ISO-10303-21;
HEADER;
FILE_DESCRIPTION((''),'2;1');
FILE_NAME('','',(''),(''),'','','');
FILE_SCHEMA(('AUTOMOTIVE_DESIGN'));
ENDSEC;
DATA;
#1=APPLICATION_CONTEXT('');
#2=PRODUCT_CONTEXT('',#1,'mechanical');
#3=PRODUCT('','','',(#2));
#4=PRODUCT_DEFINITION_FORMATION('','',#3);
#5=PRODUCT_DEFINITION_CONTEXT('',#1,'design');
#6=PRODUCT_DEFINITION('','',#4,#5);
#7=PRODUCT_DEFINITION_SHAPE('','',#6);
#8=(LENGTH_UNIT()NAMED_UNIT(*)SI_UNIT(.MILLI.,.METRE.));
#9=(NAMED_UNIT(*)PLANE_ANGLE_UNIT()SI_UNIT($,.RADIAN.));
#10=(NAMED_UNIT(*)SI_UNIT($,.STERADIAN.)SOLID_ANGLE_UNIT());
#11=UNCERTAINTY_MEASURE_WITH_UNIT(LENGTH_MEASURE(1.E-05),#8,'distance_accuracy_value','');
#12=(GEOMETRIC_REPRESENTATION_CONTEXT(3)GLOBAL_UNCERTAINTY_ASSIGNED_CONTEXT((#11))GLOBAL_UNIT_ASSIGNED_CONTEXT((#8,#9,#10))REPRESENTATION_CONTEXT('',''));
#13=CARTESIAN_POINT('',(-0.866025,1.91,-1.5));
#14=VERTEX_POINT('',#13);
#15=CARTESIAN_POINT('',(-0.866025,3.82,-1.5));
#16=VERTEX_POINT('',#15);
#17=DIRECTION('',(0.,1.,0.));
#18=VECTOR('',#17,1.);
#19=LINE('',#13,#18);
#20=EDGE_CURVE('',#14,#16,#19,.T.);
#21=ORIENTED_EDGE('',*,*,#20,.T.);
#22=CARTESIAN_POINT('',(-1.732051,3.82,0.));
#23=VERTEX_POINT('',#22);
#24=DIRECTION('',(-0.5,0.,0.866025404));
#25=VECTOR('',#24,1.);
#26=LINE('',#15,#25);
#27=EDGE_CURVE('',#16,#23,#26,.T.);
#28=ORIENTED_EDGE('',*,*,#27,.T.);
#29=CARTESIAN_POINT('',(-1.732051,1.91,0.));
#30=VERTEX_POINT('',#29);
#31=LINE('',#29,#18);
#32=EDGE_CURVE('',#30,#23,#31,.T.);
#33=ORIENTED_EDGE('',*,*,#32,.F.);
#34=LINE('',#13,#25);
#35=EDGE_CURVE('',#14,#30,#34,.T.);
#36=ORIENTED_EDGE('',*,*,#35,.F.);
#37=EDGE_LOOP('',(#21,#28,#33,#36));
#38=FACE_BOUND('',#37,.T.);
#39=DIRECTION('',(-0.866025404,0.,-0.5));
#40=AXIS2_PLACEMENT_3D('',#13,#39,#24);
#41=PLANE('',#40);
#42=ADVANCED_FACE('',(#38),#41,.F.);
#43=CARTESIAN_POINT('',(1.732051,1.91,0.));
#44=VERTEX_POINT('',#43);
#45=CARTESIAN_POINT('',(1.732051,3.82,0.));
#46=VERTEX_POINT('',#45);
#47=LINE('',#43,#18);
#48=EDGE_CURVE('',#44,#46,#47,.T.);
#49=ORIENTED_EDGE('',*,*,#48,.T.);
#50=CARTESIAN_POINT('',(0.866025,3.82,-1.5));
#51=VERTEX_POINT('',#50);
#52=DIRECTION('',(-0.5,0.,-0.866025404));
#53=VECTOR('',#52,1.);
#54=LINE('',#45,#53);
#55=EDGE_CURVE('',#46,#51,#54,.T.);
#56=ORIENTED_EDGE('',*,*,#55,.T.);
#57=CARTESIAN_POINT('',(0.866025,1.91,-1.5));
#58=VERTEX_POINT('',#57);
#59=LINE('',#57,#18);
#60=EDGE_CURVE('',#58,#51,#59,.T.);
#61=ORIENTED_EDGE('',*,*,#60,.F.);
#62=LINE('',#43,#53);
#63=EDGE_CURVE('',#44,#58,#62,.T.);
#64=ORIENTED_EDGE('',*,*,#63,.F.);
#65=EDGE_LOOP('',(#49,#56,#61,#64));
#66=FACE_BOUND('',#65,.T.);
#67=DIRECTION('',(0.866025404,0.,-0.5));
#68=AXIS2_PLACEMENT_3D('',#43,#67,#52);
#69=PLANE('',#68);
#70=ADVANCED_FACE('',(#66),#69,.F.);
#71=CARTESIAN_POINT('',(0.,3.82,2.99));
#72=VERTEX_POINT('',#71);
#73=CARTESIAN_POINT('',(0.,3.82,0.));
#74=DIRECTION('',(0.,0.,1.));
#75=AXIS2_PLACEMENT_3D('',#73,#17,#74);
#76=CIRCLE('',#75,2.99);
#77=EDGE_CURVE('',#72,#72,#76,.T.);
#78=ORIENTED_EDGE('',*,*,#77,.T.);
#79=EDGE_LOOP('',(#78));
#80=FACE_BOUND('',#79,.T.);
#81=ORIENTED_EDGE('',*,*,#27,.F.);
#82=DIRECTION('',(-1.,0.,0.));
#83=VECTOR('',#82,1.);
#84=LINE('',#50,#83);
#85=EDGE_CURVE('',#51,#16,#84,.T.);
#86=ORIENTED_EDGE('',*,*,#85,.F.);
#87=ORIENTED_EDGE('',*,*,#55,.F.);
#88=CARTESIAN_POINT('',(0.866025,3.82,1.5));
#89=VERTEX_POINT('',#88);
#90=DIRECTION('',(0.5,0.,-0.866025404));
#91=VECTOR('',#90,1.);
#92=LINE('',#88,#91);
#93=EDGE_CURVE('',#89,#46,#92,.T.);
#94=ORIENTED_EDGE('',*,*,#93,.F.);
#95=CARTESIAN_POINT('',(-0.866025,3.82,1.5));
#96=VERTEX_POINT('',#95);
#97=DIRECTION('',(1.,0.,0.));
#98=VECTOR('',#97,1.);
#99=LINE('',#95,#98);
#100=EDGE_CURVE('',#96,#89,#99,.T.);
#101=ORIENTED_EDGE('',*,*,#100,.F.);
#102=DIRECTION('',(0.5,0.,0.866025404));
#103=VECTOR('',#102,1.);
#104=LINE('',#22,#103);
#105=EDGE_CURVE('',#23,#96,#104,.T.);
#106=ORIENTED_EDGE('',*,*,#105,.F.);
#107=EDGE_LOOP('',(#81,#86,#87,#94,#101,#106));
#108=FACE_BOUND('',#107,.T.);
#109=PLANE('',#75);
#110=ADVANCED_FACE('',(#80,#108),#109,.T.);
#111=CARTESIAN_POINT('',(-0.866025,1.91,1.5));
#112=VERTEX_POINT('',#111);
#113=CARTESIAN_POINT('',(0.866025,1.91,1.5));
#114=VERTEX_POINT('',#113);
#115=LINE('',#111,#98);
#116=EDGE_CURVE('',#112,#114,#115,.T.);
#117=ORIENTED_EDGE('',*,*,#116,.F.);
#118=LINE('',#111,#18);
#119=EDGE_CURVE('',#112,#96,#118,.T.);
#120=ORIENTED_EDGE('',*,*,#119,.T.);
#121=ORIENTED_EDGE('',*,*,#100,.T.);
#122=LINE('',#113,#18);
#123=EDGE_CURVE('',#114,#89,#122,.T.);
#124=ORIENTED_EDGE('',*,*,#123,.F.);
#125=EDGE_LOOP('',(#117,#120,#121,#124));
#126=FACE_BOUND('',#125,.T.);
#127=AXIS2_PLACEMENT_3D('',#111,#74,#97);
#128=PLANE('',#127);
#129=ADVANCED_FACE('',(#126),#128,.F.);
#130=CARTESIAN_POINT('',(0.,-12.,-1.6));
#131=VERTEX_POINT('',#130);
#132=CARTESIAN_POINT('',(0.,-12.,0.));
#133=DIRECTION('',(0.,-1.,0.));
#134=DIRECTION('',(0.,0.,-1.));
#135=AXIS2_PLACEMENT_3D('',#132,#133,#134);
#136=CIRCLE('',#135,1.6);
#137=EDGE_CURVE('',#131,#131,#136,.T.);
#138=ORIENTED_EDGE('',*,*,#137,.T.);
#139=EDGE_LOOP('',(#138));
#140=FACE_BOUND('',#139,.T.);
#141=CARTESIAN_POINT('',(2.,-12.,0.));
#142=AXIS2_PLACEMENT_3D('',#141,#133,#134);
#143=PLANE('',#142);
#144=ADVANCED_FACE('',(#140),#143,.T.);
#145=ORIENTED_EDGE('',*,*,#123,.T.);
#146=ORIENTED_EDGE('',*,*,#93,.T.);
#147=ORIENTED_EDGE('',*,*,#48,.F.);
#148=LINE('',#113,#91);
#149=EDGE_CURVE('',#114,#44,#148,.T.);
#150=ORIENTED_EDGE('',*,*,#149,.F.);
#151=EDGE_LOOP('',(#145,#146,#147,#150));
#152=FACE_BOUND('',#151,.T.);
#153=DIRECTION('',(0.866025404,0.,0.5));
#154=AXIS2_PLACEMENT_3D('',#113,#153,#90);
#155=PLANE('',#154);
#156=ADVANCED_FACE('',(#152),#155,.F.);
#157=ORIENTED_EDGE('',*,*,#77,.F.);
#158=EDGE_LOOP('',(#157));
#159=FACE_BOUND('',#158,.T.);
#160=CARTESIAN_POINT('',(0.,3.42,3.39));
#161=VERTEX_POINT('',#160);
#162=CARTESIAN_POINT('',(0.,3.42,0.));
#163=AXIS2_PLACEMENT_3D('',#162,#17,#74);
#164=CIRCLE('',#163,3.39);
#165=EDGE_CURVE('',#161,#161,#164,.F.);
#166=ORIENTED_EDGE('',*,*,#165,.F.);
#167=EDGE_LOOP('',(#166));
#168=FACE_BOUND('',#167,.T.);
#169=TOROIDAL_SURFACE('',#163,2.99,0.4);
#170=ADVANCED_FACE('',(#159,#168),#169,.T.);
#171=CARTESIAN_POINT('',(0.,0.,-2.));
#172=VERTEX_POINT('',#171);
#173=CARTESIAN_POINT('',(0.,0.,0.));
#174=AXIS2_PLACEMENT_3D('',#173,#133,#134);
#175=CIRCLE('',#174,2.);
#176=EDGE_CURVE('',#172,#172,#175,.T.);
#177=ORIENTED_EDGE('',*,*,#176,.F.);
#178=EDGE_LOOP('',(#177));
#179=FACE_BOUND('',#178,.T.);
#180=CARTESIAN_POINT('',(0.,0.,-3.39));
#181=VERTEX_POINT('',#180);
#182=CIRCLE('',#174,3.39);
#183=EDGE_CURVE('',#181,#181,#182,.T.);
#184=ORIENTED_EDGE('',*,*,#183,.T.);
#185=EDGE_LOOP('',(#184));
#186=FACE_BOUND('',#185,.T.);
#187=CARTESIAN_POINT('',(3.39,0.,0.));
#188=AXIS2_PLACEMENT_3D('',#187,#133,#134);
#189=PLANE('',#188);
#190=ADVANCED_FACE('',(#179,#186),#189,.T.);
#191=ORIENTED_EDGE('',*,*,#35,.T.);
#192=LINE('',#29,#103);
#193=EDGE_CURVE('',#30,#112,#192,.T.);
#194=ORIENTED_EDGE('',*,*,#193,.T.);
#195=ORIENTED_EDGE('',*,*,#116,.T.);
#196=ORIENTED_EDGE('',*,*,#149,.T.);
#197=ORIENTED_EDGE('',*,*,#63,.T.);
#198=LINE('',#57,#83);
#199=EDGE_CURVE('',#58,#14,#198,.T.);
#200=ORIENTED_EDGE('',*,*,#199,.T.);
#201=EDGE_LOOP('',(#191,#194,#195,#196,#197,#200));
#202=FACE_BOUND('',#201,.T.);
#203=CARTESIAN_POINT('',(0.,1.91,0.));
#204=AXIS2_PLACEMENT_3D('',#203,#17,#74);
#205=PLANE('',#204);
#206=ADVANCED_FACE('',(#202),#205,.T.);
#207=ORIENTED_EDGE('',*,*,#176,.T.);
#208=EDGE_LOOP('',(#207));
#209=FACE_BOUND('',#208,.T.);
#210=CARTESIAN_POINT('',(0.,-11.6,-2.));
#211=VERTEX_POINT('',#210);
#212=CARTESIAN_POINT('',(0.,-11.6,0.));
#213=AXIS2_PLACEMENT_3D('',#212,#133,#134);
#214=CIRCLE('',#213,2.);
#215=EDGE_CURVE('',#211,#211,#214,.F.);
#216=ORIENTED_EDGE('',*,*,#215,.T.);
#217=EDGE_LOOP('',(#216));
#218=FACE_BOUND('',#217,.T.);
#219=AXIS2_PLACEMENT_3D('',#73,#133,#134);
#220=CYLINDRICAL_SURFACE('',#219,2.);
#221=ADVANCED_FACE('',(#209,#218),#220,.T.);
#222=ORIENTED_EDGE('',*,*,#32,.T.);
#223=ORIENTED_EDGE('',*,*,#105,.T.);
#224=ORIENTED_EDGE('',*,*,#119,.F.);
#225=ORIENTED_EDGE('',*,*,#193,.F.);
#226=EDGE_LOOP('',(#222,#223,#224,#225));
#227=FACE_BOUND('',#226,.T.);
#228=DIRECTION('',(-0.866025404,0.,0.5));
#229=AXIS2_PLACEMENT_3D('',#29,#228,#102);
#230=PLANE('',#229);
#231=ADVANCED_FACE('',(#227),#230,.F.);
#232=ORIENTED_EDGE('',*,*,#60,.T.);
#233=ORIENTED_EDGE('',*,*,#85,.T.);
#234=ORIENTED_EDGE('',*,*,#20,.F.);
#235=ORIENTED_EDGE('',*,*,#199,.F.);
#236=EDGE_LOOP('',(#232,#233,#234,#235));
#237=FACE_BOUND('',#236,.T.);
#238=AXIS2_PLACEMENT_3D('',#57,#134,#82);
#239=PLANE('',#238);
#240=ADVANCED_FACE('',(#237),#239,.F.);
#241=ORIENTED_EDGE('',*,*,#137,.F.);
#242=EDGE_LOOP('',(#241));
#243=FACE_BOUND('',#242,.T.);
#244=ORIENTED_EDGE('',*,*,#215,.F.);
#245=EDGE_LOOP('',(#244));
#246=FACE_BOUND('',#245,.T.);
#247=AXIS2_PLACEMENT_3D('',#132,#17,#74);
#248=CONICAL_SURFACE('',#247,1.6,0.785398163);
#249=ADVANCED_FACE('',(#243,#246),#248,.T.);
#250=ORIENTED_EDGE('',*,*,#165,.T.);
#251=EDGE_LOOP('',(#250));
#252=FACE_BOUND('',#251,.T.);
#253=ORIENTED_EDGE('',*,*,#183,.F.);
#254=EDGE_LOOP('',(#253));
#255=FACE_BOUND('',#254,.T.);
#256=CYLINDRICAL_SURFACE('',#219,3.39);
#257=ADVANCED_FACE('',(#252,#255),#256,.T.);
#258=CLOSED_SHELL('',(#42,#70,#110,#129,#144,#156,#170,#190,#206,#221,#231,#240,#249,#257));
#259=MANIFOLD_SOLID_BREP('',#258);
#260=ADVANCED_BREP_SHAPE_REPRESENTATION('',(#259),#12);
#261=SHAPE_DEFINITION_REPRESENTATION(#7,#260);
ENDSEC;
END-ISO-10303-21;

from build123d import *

# Parameters (mm, degrees)
CHAMFER1_SIZE      = 0.4
FILLET1_R          = 0.4
CUT_EXTRUDE1_DEPTH = 1.91


with BuildPart() as part:
    # Sketch1 → Revolve1 (revolve)
    with BuildSketch(Plane.XY, mode=Mode.PRIVATE) as revolve1_sk:
        Polygon((0, 0), (0, 3.82), (3.39, 3.82), (3.39, 0), (2, 0), (2, -12), (0, -12), align=None)
    revolve(revolve1_sk.sketch.rotate(Axis((0, 3.82, 0), (0, 1, 0)), 90), axis=Axis((0, 3.82, 0), (0, 1, 0)))

    # Chamfer1
    chamfer1_edges = [part.edges().sort_by_distance(p)[0] for p in [
        (0, -12, 2),
    ]]
    chamfer(chamfer1_edges, length=CHAMFER1_SIZE)

    # Fillet1
    fillet1_edges = [part.edges().sort_by_distance(p)[0] for p in [
        (0, 3.82, 3.39),
    ]]
    fillet(fillet1_edges, radius=FILLET1_R)

    # Sketch2 → Cut-Extrude1 (cut)
    with BuildSketch(Plane(origin=(0, 3.82, 0), x_dir=(1, 0, 0), z_dir=(0, 1, 0))):
        Polygon((0.866025404, -1.5), (1.732050808, 0), (0.866025404, 1.5), (-0.866025404, 1.5), (-1.732050808, 0), (-0.866025404, -1.5), align=None)
    extrude(amount=-CUT_EXTRUDE1_DEPTH, mode=Mode.SUBTRACT)


solid = part.part
